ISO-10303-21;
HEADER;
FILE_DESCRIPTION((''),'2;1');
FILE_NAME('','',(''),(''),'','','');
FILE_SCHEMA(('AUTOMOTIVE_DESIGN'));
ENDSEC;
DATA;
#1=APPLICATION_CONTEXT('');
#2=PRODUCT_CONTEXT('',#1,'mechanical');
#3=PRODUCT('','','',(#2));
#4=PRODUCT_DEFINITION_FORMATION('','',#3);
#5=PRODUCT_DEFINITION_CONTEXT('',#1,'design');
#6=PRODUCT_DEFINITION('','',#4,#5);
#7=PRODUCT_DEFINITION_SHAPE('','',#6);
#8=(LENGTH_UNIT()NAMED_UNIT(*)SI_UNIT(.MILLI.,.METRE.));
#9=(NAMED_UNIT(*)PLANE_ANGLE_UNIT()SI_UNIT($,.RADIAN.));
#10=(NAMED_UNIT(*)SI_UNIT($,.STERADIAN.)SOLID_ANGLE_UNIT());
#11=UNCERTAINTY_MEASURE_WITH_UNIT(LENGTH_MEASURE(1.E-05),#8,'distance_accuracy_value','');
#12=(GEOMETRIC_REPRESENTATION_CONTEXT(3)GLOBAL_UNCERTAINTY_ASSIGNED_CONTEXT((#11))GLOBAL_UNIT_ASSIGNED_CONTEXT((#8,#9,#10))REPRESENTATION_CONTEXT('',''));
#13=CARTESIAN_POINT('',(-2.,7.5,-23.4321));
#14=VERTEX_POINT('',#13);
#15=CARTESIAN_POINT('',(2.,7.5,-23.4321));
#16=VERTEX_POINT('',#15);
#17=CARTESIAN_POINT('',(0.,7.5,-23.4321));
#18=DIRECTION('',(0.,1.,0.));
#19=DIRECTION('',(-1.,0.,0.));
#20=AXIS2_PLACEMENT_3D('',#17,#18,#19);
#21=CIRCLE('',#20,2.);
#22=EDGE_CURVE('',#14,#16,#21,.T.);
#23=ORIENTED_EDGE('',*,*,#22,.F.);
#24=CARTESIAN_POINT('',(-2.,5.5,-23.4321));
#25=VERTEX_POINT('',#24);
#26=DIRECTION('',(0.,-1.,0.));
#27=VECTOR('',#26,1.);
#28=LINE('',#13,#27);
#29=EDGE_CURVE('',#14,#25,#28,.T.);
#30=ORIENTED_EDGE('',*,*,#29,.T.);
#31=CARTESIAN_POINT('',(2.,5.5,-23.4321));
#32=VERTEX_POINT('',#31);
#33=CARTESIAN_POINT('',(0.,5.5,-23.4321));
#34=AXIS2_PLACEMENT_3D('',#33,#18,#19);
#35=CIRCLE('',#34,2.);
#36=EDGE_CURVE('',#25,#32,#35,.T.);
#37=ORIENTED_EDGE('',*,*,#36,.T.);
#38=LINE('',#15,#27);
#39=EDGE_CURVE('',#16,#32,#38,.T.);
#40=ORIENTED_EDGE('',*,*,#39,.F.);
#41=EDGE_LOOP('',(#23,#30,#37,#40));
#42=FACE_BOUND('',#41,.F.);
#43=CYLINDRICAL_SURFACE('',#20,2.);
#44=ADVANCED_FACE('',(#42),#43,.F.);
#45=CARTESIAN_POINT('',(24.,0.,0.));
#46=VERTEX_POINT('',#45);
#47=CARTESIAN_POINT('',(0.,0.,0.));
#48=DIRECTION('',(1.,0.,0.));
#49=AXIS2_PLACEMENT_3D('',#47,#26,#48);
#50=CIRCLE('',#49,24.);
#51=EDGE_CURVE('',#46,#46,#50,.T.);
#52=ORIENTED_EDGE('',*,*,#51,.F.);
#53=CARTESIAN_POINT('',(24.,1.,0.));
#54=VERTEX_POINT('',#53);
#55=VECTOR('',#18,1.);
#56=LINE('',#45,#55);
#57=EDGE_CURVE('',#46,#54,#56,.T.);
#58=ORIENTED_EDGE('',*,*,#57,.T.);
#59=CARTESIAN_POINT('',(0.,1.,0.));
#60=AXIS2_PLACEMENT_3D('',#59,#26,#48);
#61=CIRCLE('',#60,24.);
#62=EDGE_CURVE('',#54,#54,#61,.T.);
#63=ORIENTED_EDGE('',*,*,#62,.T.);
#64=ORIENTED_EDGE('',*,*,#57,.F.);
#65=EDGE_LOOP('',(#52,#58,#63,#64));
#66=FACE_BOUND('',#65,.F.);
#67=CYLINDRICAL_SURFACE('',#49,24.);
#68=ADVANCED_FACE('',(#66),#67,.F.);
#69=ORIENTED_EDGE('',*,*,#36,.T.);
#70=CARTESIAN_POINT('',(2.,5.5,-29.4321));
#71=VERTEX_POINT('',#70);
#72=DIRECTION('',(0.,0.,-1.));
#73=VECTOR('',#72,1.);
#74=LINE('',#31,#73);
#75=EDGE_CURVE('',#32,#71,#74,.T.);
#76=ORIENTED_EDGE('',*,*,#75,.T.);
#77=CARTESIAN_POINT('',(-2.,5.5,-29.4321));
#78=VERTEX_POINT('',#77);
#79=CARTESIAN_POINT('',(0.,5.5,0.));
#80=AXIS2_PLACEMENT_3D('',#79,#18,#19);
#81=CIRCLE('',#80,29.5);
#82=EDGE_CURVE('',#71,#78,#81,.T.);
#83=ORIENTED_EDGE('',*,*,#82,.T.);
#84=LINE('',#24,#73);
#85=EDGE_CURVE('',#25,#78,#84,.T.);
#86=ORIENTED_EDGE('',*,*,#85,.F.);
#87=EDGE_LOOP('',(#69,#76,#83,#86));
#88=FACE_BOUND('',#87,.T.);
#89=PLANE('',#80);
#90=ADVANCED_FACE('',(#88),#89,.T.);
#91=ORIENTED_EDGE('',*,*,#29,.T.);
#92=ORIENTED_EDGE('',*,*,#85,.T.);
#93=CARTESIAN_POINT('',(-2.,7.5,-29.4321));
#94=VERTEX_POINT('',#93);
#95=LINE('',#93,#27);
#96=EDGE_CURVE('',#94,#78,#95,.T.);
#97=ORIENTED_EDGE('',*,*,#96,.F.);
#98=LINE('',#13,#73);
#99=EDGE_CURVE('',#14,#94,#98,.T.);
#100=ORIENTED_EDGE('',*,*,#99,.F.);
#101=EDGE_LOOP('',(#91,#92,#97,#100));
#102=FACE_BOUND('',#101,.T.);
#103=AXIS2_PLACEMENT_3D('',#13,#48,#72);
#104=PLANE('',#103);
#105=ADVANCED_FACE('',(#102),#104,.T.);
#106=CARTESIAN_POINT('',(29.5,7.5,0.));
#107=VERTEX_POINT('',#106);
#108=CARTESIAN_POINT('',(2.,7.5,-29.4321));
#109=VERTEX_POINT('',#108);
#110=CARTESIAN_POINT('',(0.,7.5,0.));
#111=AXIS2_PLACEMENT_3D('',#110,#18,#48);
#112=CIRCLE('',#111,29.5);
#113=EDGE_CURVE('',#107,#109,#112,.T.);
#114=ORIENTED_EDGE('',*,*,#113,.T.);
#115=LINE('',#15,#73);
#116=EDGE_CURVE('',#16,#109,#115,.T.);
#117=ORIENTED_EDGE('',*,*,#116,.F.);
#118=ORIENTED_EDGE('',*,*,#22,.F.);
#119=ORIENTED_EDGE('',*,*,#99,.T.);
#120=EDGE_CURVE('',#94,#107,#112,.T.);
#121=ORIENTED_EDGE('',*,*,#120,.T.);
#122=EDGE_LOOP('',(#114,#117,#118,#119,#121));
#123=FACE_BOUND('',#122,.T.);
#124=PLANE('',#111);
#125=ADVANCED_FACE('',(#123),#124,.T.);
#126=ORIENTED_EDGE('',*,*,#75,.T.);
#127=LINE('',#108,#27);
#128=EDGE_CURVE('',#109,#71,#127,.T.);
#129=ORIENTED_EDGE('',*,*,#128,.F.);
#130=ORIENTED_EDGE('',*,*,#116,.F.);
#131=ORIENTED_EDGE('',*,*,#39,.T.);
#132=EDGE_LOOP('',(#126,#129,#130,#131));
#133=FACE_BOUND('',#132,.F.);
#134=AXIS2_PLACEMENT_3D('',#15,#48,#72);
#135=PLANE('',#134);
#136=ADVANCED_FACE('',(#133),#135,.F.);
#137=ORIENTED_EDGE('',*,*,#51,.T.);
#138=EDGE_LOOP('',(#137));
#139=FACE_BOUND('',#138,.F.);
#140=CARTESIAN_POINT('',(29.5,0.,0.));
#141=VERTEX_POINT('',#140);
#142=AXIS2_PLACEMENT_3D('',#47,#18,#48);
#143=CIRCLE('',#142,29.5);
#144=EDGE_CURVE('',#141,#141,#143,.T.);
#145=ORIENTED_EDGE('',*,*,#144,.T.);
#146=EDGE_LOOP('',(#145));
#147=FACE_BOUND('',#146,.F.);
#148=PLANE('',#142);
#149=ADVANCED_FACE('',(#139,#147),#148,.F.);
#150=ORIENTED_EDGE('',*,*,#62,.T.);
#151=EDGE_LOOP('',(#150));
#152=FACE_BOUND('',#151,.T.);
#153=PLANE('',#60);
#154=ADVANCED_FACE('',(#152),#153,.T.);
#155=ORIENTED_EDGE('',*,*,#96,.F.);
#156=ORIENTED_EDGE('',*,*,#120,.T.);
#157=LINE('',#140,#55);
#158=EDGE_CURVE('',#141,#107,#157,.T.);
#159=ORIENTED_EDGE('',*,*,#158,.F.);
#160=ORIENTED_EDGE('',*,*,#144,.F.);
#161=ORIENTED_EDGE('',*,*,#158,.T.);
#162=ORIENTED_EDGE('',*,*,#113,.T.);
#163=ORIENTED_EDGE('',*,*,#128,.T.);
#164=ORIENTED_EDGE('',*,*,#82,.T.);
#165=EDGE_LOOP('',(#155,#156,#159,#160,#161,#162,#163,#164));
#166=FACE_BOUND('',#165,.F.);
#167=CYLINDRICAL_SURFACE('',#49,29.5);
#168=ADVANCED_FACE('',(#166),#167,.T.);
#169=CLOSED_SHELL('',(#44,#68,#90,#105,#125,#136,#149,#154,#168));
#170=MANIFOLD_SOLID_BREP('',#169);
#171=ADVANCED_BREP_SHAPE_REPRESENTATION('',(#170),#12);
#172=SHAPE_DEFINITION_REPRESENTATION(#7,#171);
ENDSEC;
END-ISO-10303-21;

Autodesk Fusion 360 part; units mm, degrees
sketch "草图1" plane through (0, 0, 0) normal (0, 1, 0) x (1, 0, 0)
  circle A0 centre (0, 0) radius 29.5
  line L0 (0, 0) -> (0, 29.5) construction
  dimension "d1" = 59
extrude "拉伸1" add sketch "草图1" along normal blind 7.5
sketch "草图2" plane through (0, 0, 0) normal (0, -1, 0) x (1, 0, 0)
  circle A0 centre (0, 0) radius 29.5
  circle A1 centre (0, 0) radius 24
  dimension "d5" = 48
  dimension "d6" = 48
extrude "拉伸2" cut sketch "草图2" against normal blind 1 contours A1
sketch "草图3" plane through (0, 7.5, 0) normal (0, 1, 0) x (-1, 0, 0)
  circle A0 centre (0, 0) radius 29.5
  line L0 (-2, -23.4321) -> (-2, -29.4321)
  line L1 (2, -23.4321) -> (2, -29.4321)
  line L2 (0, 0) -> (0, -21.4321) construction
  arc A1 (2, -23.4321) -> (-2, -23.4321) centre (0, -23.4321) ccw
  dimension "d9" = 6
  dimension "d10" = 2
  dimension "d11" = 6
  dimension "d12" = 2
  dimension "d13" = 2
extrude "拉伸3" cut sketch "草图3" against normal blind 2 contours A0 L0 L1 A1 picked at (0.2224, -25.4522)
